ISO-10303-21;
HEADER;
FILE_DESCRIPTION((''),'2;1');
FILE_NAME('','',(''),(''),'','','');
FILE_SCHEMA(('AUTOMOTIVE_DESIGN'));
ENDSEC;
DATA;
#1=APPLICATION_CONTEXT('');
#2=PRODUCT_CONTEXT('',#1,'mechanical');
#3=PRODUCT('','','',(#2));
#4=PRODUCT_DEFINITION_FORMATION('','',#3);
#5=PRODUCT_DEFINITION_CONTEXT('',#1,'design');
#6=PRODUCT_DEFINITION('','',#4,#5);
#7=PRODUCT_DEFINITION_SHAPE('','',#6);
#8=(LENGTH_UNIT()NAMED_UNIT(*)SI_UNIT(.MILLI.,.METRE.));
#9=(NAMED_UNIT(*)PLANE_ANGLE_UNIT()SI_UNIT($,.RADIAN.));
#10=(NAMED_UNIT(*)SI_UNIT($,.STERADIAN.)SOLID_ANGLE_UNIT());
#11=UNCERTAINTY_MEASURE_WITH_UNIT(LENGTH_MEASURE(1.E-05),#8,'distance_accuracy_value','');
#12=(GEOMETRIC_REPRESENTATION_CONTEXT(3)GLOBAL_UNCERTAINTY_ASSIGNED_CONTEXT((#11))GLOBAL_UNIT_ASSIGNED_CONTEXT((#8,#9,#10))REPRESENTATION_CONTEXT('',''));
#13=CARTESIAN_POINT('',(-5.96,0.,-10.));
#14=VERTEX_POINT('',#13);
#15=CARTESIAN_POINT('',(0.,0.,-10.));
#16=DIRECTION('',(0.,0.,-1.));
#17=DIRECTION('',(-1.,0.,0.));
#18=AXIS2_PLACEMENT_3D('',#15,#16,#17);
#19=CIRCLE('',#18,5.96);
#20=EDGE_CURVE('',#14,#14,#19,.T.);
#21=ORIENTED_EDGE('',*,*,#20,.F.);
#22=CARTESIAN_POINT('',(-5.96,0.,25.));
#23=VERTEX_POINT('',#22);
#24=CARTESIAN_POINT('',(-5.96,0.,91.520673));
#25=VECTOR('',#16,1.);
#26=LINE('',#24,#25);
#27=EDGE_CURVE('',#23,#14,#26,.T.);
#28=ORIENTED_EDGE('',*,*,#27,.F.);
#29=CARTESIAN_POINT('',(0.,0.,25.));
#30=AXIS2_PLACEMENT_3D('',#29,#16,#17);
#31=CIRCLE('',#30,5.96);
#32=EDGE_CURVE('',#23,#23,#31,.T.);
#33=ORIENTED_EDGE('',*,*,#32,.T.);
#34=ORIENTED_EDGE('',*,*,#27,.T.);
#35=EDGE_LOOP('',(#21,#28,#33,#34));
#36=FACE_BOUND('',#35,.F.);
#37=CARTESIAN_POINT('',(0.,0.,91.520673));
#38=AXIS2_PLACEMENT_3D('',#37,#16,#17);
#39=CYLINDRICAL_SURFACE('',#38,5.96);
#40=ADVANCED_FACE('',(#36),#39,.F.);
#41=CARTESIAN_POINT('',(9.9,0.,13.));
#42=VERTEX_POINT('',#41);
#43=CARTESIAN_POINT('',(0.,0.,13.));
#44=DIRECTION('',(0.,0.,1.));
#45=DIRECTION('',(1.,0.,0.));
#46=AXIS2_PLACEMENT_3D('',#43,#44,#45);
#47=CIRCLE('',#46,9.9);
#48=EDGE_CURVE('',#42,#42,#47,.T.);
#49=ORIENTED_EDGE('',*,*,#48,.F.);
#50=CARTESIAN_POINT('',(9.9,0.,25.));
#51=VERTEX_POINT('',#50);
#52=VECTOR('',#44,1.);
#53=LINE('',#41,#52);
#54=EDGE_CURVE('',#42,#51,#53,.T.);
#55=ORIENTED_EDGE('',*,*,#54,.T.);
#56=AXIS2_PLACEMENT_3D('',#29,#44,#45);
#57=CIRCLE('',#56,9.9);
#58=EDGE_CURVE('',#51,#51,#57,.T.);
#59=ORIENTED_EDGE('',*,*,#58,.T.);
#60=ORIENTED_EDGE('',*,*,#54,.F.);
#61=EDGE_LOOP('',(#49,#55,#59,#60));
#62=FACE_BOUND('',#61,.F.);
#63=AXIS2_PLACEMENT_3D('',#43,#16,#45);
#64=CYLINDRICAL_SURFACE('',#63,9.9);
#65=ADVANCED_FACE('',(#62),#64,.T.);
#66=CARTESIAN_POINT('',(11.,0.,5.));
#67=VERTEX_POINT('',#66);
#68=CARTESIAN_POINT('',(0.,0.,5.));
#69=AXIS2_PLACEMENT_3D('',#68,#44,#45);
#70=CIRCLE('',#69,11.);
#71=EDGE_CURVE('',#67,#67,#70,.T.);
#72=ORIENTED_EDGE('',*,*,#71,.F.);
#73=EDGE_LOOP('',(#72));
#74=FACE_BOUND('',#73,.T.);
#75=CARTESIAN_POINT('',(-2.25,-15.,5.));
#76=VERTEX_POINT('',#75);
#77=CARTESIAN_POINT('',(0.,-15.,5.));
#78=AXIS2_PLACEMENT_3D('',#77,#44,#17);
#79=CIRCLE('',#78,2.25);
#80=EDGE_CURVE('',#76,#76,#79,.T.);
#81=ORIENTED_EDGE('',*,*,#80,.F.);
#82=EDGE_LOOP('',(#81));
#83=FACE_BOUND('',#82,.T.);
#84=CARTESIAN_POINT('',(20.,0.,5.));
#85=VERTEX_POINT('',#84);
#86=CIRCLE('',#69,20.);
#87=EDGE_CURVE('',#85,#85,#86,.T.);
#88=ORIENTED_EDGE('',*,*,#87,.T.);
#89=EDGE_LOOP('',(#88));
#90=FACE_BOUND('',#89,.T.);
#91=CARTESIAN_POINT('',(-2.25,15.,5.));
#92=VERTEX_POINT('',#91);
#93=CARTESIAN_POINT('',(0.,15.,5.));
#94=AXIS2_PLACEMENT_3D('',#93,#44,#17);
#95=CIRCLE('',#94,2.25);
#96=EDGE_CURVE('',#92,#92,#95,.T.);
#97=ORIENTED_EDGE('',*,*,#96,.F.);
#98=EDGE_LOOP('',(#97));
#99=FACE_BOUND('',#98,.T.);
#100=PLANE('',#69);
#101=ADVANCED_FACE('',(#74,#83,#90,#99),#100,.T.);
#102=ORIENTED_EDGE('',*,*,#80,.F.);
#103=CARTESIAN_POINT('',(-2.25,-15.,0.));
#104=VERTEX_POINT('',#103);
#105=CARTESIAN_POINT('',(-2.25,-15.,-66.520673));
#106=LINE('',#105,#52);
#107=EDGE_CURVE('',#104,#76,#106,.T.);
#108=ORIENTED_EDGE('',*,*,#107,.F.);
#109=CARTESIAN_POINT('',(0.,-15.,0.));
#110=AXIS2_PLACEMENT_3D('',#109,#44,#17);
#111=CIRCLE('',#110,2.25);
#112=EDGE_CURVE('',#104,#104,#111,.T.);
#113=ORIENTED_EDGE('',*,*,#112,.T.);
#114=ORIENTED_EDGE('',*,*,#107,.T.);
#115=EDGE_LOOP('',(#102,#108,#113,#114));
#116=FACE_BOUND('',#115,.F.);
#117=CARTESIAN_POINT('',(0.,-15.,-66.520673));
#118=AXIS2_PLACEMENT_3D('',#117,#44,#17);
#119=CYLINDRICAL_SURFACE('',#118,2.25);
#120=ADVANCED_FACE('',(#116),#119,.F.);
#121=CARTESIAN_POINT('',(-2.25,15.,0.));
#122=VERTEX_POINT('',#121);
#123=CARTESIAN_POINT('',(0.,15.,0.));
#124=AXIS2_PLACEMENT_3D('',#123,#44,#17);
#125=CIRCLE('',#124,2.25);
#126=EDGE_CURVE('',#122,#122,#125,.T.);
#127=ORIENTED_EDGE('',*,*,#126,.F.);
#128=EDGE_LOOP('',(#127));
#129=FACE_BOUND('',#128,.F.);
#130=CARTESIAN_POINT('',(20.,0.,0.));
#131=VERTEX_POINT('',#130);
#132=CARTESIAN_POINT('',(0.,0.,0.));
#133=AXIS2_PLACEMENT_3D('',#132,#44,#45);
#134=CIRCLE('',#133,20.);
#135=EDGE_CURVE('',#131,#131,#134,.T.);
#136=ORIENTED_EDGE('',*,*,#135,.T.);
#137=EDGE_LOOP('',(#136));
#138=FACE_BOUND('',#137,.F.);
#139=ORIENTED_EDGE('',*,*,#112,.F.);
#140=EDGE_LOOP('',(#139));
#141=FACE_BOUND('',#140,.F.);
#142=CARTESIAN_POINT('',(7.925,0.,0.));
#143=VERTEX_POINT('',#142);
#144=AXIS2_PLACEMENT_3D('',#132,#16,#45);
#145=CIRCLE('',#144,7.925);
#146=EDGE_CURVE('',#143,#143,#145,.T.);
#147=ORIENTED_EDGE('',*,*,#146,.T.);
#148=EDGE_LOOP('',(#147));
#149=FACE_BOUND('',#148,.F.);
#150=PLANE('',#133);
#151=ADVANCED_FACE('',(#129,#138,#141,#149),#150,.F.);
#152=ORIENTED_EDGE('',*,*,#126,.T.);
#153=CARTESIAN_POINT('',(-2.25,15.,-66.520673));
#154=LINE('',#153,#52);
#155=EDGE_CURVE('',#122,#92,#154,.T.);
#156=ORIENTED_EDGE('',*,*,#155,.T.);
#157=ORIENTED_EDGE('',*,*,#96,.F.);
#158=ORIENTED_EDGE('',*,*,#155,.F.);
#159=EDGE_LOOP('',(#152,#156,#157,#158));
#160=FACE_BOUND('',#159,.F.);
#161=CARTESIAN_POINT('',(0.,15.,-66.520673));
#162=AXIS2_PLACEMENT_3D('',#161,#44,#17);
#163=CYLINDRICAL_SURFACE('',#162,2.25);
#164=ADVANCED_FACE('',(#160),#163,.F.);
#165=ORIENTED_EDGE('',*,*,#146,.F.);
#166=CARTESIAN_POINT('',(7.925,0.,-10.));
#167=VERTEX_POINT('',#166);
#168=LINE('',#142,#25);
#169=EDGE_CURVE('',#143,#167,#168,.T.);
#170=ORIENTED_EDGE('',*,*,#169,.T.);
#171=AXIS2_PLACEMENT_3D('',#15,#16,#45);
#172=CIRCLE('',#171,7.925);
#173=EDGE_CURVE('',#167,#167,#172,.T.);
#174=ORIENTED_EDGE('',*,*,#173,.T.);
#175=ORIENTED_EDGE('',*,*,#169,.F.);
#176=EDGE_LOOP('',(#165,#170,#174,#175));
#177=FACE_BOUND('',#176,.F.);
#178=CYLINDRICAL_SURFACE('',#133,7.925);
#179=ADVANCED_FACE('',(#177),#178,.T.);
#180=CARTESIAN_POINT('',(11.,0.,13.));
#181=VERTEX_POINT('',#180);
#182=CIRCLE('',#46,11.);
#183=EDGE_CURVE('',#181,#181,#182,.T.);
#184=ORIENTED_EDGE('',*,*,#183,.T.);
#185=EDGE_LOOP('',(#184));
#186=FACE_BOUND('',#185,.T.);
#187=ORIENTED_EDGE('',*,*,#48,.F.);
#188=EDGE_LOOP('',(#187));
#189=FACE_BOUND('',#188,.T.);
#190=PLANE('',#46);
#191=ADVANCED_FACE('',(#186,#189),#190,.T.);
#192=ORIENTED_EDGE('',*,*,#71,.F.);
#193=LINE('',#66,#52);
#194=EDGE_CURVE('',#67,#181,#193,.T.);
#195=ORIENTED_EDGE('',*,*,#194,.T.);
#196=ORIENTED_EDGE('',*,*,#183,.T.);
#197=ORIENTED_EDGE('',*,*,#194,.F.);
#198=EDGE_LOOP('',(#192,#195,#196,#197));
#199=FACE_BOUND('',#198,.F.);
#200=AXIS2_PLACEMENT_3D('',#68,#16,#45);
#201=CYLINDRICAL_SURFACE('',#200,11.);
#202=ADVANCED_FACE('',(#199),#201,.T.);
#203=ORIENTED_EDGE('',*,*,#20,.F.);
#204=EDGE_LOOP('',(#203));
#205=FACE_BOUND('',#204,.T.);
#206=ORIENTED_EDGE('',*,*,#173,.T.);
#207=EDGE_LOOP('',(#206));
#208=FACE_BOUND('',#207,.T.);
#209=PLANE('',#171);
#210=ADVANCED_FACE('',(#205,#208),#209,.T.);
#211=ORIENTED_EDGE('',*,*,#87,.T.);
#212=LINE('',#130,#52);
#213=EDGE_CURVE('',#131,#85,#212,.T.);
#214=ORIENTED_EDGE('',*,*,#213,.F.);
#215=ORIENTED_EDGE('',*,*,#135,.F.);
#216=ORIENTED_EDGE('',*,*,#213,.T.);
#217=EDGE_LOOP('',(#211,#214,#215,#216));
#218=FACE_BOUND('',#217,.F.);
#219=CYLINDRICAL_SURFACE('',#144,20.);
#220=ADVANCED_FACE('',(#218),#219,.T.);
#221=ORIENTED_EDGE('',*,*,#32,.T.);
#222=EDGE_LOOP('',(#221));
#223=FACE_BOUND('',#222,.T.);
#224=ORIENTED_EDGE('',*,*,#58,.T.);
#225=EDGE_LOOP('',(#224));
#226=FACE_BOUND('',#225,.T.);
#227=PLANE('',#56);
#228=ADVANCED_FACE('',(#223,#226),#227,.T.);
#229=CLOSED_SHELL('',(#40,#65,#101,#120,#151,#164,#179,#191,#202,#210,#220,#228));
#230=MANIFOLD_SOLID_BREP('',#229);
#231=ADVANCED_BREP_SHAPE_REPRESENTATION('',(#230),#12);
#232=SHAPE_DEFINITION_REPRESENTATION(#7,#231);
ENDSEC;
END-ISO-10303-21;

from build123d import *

# Parameters (mm, degrees)
F0_R     = 20
F1_DEPTH = 5
F2_R     = 11
F3_DEPTH = 8
F4_R     = 9.9
F5_DEPTH = 12
F6_R     = 7.925
F7_DEPTH = 10
F9_D     = 11.92
F11_D    = 4.5


with BuildPart() as f1:
    # F0 (on Top) → F1 (new body)
    with BuildSketch(Plane.XY):
        Circle(F0_R)
    extrude(amount=F1_DEPTH)

    # F2 (on face) → F3 (join)
    with BuildSketch(Plane.XY.offset(5)):
        Circle(F2_R)
    extrude(amount=F3_DEPTH)

    # F4 (on face) → F5 (join)
    with BuildSketch(Plane.XY.offset(13)):
        Circle(F4_R)
    extrude(amount=F5_DEPTH)

    # F6 (on face) → F7 (join)
    with BuildSketch(Plane(origin=(0, 0, 0), x_dir=(1, 0, 0), z_dir=(0, 0, -1))):
        Circle(F6_R)
    extrude(amount=F7_DEPTH)

    # F9 (through all)
    with Locations(Plane.XY.offset(25)):
        with Locations((0, 0)):
            Hole(F9_D / 2)

    # F11 (through all)
    with Locations(Plane(origin=(0, 0, 0), x_dir=(1, 0, 0), z_dir=(0, 0, -1))):
        with Locations((0, -15), (0, 15)):
            Hole(F11_D / 2)


solid = f1.part
